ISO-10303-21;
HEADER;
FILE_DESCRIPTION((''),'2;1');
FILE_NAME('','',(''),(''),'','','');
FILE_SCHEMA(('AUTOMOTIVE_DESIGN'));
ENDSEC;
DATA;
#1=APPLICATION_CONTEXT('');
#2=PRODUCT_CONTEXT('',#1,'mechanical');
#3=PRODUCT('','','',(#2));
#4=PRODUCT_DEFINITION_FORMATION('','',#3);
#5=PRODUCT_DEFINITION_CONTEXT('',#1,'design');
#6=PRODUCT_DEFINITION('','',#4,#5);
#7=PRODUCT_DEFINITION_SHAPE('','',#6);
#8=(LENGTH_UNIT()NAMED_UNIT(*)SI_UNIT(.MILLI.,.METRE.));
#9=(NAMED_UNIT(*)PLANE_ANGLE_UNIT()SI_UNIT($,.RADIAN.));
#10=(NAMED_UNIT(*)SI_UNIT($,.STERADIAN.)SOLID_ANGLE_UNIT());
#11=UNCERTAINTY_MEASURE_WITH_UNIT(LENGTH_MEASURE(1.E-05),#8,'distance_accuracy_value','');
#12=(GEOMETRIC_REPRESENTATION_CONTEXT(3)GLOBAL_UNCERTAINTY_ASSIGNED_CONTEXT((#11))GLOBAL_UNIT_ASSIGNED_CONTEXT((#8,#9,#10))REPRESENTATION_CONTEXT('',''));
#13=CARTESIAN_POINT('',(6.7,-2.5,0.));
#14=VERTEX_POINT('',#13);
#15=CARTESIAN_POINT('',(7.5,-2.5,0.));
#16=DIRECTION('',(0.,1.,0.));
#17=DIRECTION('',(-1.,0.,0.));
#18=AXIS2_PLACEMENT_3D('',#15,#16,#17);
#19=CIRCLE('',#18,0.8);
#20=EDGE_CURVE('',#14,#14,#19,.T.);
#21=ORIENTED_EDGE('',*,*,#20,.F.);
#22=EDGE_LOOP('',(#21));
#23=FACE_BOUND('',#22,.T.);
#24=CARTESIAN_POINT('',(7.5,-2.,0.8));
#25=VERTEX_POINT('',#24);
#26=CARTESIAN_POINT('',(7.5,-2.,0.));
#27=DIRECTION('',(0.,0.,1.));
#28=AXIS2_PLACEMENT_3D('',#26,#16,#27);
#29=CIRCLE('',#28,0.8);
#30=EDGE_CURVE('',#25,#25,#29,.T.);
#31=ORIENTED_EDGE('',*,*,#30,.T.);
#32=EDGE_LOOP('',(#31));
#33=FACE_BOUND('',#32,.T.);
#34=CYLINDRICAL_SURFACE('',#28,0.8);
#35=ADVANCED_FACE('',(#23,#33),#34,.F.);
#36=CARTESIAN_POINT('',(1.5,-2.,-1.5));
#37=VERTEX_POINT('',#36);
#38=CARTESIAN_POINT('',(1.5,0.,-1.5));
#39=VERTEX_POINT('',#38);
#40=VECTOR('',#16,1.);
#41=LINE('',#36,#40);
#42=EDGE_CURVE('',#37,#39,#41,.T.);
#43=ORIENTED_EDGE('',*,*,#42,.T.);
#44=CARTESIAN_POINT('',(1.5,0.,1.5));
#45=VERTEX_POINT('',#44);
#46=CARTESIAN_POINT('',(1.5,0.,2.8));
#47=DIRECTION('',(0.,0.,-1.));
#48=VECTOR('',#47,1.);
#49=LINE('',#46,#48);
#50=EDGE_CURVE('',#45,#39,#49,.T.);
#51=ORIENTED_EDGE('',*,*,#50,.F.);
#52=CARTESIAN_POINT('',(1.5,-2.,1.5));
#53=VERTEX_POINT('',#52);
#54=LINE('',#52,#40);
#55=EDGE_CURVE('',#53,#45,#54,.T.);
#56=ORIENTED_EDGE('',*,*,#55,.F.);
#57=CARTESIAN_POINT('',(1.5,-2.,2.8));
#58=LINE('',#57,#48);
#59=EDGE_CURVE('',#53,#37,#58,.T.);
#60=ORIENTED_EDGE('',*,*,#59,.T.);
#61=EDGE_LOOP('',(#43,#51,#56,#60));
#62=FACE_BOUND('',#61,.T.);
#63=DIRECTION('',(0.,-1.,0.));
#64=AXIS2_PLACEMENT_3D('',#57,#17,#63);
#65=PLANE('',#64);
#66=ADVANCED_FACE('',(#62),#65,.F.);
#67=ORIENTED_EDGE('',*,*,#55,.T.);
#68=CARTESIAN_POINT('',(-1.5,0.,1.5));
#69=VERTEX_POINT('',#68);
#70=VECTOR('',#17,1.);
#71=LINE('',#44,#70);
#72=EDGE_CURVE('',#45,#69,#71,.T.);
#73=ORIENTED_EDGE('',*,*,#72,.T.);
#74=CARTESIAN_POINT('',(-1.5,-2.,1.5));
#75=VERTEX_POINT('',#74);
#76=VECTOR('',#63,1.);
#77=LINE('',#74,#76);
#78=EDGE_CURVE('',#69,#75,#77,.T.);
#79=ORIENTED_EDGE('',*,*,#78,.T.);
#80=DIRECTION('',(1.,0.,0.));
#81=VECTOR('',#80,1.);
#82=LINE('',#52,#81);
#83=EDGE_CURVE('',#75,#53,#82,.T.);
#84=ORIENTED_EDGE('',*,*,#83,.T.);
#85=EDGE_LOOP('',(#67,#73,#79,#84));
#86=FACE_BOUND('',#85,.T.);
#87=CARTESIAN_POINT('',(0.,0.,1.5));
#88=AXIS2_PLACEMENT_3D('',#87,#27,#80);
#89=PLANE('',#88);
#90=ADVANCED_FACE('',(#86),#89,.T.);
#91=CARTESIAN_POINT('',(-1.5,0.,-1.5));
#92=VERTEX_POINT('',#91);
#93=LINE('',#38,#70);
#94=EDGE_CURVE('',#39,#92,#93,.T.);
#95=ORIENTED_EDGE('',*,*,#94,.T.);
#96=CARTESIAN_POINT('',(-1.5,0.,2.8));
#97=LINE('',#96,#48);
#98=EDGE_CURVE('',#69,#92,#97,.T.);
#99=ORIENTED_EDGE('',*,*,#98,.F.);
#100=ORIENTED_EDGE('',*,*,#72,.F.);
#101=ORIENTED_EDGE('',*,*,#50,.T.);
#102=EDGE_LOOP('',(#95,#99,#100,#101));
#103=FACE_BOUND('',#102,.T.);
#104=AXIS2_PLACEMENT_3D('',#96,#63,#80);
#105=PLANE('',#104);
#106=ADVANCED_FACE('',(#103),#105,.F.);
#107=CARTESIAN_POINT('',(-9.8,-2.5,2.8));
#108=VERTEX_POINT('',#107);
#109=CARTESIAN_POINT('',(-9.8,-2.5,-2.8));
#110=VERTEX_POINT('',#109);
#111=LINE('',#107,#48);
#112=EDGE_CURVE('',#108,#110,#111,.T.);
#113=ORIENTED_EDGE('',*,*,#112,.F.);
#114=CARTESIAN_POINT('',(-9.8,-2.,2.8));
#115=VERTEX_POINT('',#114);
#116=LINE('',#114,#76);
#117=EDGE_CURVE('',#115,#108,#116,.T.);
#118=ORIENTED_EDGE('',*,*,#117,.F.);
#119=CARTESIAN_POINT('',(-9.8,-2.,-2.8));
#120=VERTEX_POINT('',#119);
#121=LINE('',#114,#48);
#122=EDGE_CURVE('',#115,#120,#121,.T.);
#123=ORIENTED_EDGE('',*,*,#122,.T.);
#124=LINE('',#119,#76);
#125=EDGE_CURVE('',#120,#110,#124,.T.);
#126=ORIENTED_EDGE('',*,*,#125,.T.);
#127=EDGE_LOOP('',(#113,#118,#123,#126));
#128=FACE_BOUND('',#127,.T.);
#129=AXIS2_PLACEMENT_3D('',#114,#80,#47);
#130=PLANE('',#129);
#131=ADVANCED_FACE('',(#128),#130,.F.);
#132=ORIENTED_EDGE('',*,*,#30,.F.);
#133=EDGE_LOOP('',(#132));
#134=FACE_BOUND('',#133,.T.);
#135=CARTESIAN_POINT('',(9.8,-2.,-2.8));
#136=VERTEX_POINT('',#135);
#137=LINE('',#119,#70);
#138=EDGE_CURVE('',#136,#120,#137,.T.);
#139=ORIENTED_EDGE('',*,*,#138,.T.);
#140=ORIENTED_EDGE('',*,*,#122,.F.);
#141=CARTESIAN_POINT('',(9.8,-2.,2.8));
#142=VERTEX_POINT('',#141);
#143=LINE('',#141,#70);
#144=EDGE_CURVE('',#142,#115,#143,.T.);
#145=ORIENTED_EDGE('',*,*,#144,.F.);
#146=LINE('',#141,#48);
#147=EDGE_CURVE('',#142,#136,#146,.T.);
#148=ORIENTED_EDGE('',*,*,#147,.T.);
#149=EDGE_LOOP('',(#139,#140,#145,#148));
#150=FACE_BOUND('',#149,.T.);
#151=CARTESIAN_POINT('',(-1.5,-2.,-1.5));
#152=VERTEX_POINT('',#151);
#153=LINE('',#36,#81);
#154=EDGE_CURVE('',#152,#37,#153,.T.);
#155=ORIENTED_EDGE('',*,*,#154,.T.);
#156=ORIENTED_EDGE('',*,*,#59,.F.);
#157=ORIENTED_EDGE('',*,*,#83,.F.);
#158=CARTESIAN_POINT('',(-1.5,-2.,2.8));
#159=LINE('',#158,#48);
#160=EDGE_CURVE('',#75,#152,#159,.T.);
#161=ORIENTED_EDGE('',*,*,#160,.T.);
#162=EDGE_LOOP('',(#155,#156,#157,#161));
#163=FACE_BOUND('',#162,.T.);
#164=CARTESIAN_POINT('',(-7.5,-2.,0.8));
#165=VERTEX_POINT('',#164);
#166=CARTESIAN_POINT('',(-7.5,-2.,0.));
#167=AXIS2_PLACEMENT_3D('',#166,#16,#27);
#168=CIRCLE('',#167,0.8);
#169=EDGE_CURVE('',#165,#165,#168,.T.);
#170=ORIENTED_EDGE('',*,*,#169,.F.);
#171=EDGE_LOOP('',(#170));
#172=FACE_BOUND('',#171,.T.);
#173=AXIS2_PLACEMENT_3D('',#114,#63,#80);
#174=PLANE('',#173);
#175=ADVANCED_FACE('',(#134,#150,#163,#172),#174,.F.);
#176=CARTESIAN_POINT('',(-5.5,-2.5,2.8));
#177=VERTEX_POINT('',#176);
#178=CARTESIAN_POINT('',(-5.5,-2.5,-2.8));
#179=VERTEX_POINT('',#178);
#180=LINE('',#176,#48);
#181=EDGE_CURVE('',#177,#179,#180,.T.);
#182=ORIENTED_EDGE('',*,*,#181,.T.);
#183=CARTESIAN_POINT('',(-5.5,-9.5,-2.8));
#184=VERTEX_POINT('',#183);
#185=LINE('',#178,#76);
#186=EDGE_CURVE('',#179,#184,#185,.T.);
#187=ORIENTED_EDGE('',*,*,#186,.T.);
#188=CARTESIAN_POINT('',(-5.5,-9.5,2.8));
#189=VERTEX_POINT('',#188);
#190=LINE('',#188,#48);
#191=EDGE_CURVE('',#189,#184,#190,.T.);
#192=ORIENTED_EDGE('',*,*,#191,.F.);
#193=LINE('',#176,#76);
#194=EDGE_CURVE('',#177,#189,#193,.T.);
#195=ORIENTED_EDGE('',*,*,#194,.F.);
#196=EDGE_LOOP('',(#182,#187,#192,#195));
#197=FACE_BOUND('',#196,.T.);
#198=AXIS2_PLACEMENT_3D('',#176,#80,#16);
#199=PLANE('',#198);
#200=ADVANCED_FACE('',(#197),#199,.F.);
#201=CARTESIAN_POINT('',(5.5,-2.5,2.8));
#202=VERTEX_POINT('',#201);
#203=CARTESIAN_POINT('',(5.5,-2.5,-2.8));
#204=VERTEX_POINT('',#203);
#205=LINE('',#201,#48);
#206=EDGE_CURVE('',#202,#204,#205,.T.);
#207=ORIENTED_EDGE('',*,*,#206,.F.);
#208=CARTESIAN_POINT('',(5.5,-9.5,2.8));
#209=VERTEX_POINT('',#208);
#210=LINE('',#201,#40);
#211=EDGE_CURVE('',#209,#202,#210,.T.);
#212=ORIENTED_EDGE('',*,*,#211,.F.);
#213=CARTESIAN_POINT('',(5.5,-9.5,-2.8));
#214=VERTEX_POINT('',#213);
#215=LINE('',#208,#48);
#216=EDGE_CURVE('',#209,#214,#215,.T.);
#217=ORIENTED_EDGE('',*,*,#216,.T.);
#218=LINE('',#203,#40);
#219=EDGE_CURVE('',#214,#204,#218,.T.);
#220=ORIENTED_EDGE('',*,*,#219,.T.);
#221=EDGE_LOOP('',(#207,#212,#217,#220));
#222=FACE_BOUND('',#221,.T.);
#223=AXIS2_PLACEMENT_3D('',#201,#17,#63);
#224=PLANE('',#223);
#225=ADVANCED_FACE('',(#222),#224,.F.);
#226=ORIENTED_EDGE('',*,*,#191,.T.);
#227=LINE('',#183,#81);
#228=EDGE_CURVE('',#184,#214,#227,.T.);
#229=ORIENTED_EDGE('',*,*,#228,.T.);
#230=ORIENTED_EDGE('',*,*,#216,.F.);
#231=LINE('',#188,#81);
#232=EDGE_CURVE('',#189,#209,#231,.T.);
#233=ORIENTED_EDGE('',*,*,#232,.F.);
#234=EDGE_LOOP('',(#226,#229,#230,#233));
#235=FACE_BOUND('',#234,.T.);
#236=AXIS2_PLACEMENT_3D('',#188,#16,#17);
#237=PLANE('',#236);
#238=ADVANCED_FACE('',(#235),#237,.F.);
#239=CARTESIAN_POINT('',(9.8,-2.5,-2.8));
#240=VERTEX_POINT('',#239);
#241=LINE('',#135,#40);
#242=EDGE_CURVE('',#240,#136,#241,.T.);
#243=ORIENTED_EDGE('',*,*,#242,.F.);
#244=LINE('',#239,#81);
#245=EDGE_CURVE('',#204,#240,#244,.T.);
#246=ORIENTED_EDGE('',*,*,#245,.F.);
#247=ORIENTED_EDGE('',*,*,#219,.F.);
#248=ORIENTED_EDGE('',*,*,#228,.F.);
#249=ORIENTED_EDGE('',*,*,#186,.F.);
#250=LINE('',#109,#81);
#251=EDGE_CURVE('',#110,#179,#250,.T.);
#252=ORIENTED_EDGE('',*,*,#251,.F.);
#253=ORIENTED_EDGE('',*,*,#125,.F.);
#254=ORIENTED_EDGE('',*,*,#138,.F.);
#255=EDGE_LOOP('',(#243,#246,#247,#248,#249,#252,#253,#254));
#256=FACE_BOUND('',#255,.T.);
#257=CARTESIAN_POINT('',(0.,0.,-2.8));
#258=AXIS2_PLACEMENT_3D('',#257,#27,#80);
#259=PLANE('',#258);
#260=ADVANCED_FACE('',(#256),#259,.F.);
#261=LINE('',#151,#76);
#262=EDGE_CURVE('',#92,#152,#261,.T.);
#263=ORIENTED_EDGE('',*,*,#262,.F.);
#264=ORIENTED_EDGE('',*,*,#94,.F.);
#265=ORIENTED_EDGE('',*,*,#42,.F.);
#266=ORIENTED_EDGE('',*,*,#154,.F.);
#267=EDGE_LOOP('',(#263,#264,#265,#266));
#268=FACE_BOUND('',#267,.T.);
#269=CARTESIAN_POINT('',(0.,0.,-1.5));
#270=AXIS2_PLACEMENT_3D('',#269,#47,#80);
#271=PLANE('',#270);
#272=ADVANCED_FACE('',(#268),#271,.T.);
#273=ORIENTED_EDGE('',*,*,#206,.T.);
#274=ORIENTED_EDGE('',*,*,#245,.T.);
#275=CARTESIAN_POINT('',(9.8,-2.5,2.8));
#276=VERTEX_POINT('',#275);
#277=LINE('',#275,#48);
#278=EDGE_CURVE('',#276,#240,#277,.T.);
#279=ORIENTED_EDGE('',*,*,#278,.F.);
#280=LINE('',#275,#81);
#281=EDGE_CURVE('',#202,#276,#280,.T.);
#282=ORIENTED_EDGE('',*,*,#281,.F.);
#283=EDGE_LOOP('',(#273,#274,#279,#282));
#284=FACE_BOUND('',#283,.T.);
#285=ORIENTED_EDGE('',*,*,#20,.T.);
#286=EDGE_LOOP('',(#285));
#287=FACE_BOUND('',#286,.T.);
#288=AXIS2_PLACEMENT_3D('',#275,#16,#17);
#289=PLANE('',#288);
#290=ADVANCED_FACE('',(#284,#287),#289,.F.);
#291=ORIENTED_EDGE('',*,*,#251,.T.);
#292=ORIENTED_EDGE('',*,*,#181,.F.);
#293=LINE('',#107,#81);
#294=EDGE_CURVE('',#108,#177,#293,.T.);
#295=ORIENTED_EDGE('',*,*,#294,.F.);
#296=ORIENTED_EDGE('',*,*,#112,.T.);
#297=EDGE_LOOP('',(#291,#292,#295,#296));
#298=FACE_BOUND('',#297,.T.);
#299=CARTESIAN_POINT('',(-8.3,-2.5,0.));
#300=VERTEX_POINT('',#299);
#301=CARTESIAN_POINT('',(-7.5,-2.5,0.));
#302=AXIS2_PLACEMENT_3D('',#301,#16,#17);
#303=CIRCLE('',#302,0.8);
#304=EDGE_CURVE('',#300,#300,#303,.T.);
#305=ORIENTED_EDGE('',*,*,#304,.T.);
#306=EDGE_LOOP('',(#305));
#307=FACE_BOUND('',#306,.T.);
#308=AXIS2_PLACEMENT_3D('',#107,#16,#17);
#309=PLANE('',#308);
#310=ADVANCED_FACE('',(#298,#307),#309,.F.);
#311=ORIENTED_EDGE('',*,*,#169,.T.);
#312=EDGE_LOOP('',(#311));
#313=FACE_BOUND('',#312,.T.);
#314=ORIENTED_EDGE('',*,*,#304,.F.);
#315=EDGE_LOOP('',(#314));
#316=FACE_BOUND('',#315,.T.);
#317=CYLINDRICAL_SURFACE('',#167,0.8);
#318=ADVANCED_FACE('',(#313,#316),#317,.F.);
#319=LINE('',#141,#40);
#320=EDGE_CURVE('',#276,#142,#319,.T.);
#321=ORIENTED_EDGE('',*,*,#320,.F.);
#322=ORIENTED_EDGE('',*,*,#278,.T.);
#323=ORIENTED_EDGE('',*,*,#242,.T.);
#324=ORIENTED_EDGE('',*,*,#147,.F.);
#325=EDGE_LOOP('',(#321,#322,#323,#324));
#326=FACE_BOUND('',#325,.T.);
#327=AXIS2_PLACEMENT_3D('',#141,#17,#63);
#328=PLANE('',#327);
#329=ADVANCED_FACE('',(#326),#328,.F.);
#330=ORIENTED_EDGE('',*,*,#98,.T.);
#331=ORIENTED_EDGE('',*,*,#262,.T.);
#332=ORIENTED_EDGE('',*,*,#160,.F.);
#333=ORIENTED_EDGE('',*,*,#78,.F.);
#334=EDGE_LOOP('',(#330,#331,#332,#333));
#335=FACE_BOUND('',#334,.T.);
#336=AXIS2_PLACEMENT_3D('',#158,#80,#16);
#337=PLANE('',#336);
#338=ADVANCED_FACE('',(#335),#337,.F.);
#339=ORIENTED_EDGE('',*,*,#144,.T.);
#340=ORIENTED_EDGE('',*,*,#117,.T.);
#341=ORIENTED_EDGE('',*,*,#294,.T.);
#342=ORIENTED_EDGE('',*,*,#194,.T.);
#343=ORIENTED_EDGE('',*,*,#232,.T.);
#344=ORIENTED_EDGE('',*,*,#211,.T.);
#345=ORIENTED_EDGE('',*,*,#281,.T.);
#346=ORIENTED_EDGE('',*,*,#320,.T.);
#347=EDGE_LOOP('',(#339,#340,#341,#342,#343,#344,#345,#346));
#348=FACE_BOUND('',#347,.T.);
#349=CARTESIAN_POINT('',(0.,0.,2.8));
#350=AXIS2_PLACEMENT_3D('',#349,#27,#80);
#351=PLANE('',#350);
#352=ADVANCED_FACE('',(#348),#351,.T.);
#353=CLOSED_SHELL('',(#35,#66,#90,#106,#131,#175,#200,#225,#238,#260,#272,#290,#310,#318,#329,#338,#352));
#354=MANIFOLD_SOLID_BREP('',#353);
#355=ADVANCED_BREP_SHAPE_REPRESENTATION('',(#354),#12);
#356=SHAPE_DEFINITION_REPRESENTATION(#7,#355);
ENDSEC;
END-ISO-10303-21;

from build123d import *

# Parameters (mm, degrees)
AUFSATZ_LINEAR_AUSTRAGEN1_DEPTH = 2.8
SCHNITT_LINEAR_START            = 1.5
SKIZZE2_W                       = 3
SKIZZE2_H                       = 2
SCHNITT_LINEAR_AUSTRAGEN1_DEPTH = 2.3
M2_GEWINDEBOHRUNG1_D            = 1.6


with BuildPart() as part:
    # Skizze1 → Aufsatz-Linear austragen1 (new body, symmetric)
    with BuildSketch(Plane.XY):
        Polygon((-9.8, -2), (-1.5, -2), (-1.5, 0), (1.5, 0), (1.5, -2), (9.8, -2), (9.8, -2.5), (5.5, -2.5), (5.5, -9.5), (-5.5, -9.5), (-5.5, -2.5), (-9.8, -2.5), align=None)
    extrude(amount=AUFSATZ_LINEAR_AUSTRAGEN1_DEPTH, both=True)

    # Skizze2 → Schnitt-Linear austragen1 (cut, through all)
    with BuildSketch(Plane.XY.offset(SCHNITT_LINEAR_START)):
        with Locations((0, -1)):
            Rectangle(SKIZZE2_W, SKIZZE2_H)
    schnitt_linear_austragen1 = extrude(amount=SCHNITT_LINEAR_AUSTRAGEN1_DEPTH, mode=Mode.SUBTRACT)

    # Spiegeln1: Schnitt-Linear austragen1 across plane
    add(schnitt_linear_austragen1.mirror(Plane.XY), mode=Mode.SUBTRACT)

    # M2 Gewindebohrung1 (through all)
    with Locations(Plane(origin=(0, -2, 0), x_dir=(1, 0, 0), z_dir=(0, 1, 0))):
        with Locations((-7.5, 0), (7.5, 0)):
            Hole(M2_GEWINDEBOHRUNG1_D / 2)


solid = part.part
